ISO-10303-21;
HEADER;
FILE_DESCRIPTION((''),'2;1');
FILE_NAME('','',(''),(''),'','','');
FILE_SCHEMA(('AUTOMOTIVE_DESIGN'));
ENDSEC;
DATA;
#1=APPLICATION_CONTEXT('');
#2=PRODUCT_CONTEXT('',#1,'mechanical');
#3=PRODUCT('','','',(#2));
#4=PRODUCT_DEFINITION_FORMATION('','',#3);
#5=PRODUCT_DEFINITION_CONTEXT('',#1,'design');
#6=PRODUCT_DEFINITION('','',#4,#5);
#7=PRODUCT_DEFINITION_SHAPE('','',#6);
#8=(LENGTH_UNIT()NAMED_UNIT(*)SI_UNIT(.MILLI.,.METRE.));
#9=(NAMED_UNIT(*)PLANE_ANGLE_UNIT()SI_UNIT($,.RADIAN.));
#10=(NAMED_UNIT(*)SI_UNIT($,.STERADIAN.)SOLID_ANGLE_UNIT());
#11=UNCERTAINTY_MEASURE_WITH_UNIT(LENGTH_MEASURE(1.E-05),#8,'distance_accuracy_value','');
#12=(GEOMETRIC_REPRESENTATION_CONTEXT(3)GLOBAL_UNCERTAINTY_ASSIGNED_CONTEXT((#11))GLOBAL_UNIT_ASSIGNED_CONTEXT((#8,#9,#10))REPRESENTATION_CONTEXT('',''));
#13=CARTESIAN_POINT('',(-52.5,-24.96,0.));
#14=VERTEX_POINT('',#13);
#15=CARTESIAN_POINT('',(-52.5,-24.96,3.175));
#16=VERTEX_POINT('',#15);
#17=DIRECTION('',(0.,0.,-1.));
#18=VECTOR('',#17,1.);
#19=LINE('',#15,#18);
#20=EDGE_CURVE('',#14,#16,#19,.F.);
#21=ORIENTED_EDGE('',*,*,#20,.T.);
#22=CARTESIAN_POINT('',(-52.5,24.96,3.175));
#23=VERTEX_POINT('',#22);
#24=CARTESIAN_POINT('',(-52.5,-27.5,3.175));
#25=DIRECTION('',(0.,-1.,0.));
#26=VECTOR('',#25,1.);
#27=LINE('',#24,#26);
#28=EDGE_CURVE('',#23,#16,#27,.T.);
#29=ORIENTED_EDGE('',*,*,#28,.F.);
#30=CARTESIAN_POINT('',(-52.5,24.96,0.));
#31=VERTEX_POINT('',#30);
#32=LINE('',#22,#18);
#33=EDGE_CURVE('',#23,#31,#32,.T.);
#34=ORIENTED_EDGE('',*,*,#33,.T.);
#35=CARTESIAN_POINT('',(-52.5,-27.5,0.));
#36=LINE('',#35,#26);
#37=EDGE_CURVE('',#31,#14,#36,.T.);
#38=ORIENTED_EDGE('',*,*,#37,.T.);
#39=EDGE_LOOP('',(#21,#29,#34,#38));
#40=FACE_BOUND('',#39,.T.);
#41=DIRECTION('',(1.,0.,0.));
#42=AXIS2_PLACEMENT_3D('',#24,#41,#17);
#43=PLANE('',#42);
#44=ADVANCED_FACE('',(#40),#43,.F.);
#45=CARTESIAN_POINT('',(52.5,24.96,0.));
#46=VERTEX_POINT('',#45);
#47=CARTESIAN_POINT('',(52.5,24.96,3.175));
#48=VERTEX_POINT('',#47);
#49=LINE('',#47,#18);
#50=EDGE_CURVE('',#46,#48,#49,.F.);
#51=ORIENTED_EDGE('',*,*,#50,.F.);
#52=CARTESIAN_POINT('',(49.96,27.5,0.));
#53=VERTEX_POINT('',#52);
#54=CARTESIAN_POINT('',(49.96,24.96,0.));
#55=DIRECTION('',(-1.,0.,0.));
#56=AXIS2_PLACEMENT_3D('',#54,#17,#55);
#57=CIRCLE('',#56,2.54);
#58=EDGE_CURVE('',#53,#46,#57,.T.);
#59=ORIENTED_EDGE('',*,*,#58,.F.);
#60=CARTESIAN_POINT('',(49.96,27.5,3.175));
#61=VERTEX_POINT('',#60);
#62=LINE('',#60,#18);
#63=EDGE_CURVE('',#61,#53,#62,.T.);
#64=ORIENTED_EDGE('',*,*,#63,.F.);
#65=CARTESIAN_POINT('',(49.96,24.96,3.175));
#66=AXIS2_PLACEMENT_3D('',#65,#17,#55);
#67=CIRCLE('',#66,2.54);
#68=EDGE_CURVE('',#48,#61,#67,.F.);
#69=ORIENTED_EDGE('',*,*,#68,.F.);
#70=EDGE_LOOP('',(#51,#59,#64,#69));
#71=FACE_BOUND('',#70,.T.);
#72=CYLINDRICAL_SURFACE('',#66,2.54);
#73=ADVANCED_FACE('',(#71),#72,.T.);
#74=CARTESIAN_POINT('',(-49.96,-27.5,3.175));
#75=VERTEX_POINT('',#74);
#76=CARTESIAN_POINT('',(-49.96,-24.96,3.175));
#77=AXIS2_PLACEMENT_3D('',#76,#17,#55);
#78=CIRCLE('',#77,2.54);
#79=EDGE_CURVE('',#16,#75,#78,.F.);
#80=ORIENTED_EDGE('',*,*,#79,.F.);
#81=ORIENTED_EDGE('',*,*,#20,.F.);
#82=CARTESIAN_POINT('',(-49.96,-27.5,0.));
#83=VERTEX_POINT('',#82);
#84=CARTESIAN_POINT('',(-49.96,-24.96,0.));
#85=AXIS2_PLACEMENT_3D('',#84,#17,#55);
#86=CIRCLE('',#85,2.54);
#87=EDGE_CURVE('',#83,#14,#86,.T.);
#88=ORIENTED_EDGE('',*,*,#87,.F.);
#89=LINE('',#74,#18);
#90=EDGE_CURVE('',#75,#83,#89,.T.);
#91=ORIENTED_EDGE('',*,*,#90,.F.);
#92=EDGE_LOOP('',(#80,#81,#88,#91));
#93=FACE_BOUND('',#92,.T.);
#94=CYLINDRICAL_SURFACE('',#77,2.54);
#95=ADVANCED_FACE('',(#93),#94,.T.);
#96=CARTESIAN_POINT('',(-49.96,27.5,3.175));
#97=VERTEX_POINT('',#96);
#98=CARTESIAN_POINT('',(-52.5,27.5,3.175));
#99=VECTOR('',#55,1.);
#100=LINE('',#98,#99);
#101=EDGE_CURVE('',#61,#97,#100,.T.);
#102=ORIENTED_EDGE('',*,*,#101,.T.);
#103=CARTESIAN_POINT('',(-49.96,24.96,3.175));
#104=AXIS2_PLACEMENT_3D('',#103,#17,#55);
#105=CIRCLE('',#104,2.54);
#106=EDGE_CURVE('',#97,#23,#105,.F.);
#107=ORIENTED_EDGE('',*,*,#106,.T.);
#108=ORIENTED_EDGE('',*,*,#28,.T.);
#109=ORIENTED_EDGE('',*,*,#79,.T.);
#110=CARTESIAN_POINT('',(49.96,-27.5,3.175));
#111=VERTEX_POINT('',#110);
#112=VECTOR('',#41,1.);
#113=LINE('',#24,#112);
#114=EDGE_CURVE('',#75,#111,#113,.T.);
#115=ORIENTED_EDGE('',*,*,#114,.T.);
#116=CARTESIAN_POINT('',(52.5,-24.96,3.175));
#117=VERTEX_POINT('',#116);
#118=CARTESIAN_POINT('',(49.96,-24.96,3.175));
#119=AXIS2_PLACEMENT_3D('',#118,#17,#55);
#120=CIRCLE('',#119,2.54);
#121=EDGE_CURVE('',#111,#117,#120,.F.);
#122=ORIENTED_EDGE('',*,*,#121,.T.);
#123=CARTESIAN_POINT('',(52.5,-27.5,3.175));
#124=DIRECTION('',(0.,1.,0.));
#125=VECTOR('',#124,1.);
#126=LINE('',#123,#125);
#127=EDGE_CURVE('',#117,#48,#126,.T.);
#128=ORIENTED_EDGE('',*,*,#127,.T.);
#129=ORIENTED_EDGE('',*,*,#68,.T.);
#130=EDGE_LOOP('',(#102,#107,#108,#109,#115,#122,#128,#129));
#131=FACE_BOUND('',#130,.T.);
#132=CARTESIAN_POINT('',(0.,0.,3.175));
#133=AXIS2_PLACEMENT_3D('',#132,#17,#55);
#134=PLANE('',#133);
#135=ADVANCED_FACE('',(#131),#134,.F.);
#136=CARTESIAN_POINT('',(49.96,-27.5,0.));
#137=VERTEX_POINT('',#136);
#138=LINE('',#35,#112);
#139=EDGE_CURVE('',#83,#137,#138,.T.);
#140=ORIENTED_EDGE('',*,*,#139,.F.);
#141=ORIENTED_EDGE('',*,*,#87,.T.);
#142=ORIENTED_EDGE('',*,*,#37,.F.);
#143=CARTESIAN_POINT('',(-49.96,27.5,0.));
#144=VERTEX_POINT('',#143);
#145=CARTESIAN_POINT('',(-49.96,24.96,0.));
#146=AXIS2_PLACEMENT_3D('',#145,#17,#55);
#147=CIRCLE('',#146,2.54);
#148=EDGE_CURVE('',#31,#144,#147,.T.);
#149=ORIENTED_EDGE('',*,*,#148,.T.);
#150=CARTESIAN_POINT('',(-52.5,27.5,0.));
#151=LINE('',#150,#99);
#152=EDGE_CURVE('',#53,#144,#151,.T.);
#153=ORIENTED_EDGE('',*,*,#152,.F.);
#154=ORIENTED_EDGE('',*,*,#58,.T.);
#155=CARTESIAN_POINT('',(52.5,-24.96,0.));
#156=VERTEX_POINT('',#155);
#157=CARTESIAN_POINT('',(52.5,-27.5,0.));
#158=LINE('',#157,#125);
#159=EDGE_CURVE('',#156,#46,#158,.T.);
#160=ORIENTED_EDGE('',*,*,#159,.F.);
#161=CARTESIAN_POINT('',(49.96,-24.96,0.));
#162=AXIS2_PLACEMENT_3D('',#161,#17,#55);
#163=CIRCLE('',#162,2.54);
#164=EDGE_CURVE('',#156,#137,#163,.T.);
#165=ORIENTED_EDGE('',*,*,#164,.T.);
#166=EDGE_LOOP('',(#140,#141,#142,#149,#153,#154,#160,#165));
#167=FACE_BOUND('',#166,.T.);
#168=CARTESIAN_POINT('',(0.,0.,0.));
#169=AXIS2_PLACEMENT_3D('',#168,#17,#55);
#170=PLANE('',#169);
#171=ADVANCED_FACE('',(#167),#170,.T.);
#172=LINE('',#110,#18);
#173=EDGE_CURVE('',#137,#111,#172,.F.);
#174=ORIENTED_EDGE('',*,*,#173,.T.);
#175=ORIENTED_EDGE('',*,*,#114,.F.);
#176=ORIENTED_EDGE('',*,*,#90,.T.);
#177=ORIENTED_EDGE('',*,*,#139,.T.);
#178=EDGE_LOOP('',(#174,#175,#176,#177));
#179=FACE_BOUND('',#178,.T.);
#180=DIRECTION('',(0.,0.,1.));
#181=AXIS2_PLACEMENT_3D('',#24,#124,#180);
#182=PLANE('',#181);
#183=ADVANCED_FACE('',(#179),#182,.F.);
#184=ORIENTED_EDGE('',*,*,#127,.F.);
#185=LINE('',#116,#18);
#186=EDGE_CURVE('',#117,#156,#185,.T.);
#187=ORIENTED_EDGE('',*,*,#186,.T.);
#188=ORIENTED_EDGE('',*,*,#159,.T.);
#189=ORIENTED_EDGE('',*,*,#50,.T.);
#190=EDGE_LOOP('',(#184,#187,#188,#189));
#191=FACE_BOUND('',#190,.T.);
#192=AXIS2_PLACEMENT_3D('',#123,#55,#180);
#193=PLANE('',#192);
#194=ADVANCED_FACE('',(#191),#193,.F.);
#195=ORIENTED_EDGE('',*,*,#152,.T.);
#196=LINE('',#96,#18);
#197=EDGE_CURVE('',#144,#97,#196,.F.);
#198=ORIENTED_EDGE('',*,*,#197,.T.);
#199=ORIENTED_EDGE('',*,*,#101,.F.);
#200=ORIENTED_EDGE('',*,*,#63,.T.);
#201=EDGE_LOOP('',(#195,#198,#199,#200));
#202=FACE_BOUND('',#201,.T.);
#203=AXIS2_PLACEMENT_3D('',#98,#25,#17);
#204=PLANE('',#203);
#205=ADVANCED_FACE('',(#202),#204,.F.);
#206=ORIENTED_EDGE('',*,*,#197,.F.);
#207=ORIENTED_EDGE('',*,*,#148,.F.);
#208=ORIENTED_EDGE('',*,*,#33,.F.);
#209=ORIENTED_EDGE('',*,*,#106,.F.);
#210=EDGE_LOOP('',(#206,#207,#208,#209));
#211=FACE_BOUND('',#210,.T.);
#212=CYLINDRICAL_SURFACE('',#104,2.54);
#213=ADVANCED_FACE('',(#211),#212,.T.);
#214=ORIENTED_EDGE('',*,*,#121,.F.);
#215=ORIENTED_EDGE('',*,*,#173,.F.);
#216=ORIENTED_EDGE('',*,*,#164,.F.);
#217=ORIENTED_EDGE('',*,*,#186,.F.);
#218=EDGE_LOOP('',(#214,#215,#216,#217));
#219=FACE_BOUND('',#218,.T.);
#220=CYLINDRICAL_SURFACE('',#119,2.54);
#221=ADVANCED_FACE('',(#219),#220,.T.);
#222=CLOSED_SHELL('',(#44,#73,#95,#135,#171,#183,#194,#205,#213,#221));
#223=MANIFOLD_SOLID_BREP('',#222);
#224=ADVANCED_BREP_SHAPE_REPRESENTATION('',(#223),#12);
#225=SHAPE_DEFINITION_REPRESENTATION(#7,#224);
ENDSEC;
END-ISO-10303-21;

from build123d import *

# Parameters (mm, degrees)
SKETCH1_W           = 105
SKETCH1_H           = 55
BOSS_EXTRUDE1_DEPTH = 3.175
FILLET1_R           = 2.54


with BuildPart() as part:
    # Sketch1 → Boss-Extrude1 (new body)
    with BuildSketch(Plane.XY):
        Rectangle(SKETCH1_W, SKETCH1_H)
    extrude(amount=BOSS_EXTRUDE1_DEPTH)

    # Fillet1
    fillet1_edges = [part.edges().sort_by_distance(p)[0] for p in [
        (52.5, -27.5, 1.5875),
        (-52.5, -27.5, 1.5875),
        (-52.5, 27.5, 1.5875),
        (52.5, 27.5, 1.5875),
    ]]
    fillet(fillet1_edges, radius=FILLET1_R)


solid = part.part
